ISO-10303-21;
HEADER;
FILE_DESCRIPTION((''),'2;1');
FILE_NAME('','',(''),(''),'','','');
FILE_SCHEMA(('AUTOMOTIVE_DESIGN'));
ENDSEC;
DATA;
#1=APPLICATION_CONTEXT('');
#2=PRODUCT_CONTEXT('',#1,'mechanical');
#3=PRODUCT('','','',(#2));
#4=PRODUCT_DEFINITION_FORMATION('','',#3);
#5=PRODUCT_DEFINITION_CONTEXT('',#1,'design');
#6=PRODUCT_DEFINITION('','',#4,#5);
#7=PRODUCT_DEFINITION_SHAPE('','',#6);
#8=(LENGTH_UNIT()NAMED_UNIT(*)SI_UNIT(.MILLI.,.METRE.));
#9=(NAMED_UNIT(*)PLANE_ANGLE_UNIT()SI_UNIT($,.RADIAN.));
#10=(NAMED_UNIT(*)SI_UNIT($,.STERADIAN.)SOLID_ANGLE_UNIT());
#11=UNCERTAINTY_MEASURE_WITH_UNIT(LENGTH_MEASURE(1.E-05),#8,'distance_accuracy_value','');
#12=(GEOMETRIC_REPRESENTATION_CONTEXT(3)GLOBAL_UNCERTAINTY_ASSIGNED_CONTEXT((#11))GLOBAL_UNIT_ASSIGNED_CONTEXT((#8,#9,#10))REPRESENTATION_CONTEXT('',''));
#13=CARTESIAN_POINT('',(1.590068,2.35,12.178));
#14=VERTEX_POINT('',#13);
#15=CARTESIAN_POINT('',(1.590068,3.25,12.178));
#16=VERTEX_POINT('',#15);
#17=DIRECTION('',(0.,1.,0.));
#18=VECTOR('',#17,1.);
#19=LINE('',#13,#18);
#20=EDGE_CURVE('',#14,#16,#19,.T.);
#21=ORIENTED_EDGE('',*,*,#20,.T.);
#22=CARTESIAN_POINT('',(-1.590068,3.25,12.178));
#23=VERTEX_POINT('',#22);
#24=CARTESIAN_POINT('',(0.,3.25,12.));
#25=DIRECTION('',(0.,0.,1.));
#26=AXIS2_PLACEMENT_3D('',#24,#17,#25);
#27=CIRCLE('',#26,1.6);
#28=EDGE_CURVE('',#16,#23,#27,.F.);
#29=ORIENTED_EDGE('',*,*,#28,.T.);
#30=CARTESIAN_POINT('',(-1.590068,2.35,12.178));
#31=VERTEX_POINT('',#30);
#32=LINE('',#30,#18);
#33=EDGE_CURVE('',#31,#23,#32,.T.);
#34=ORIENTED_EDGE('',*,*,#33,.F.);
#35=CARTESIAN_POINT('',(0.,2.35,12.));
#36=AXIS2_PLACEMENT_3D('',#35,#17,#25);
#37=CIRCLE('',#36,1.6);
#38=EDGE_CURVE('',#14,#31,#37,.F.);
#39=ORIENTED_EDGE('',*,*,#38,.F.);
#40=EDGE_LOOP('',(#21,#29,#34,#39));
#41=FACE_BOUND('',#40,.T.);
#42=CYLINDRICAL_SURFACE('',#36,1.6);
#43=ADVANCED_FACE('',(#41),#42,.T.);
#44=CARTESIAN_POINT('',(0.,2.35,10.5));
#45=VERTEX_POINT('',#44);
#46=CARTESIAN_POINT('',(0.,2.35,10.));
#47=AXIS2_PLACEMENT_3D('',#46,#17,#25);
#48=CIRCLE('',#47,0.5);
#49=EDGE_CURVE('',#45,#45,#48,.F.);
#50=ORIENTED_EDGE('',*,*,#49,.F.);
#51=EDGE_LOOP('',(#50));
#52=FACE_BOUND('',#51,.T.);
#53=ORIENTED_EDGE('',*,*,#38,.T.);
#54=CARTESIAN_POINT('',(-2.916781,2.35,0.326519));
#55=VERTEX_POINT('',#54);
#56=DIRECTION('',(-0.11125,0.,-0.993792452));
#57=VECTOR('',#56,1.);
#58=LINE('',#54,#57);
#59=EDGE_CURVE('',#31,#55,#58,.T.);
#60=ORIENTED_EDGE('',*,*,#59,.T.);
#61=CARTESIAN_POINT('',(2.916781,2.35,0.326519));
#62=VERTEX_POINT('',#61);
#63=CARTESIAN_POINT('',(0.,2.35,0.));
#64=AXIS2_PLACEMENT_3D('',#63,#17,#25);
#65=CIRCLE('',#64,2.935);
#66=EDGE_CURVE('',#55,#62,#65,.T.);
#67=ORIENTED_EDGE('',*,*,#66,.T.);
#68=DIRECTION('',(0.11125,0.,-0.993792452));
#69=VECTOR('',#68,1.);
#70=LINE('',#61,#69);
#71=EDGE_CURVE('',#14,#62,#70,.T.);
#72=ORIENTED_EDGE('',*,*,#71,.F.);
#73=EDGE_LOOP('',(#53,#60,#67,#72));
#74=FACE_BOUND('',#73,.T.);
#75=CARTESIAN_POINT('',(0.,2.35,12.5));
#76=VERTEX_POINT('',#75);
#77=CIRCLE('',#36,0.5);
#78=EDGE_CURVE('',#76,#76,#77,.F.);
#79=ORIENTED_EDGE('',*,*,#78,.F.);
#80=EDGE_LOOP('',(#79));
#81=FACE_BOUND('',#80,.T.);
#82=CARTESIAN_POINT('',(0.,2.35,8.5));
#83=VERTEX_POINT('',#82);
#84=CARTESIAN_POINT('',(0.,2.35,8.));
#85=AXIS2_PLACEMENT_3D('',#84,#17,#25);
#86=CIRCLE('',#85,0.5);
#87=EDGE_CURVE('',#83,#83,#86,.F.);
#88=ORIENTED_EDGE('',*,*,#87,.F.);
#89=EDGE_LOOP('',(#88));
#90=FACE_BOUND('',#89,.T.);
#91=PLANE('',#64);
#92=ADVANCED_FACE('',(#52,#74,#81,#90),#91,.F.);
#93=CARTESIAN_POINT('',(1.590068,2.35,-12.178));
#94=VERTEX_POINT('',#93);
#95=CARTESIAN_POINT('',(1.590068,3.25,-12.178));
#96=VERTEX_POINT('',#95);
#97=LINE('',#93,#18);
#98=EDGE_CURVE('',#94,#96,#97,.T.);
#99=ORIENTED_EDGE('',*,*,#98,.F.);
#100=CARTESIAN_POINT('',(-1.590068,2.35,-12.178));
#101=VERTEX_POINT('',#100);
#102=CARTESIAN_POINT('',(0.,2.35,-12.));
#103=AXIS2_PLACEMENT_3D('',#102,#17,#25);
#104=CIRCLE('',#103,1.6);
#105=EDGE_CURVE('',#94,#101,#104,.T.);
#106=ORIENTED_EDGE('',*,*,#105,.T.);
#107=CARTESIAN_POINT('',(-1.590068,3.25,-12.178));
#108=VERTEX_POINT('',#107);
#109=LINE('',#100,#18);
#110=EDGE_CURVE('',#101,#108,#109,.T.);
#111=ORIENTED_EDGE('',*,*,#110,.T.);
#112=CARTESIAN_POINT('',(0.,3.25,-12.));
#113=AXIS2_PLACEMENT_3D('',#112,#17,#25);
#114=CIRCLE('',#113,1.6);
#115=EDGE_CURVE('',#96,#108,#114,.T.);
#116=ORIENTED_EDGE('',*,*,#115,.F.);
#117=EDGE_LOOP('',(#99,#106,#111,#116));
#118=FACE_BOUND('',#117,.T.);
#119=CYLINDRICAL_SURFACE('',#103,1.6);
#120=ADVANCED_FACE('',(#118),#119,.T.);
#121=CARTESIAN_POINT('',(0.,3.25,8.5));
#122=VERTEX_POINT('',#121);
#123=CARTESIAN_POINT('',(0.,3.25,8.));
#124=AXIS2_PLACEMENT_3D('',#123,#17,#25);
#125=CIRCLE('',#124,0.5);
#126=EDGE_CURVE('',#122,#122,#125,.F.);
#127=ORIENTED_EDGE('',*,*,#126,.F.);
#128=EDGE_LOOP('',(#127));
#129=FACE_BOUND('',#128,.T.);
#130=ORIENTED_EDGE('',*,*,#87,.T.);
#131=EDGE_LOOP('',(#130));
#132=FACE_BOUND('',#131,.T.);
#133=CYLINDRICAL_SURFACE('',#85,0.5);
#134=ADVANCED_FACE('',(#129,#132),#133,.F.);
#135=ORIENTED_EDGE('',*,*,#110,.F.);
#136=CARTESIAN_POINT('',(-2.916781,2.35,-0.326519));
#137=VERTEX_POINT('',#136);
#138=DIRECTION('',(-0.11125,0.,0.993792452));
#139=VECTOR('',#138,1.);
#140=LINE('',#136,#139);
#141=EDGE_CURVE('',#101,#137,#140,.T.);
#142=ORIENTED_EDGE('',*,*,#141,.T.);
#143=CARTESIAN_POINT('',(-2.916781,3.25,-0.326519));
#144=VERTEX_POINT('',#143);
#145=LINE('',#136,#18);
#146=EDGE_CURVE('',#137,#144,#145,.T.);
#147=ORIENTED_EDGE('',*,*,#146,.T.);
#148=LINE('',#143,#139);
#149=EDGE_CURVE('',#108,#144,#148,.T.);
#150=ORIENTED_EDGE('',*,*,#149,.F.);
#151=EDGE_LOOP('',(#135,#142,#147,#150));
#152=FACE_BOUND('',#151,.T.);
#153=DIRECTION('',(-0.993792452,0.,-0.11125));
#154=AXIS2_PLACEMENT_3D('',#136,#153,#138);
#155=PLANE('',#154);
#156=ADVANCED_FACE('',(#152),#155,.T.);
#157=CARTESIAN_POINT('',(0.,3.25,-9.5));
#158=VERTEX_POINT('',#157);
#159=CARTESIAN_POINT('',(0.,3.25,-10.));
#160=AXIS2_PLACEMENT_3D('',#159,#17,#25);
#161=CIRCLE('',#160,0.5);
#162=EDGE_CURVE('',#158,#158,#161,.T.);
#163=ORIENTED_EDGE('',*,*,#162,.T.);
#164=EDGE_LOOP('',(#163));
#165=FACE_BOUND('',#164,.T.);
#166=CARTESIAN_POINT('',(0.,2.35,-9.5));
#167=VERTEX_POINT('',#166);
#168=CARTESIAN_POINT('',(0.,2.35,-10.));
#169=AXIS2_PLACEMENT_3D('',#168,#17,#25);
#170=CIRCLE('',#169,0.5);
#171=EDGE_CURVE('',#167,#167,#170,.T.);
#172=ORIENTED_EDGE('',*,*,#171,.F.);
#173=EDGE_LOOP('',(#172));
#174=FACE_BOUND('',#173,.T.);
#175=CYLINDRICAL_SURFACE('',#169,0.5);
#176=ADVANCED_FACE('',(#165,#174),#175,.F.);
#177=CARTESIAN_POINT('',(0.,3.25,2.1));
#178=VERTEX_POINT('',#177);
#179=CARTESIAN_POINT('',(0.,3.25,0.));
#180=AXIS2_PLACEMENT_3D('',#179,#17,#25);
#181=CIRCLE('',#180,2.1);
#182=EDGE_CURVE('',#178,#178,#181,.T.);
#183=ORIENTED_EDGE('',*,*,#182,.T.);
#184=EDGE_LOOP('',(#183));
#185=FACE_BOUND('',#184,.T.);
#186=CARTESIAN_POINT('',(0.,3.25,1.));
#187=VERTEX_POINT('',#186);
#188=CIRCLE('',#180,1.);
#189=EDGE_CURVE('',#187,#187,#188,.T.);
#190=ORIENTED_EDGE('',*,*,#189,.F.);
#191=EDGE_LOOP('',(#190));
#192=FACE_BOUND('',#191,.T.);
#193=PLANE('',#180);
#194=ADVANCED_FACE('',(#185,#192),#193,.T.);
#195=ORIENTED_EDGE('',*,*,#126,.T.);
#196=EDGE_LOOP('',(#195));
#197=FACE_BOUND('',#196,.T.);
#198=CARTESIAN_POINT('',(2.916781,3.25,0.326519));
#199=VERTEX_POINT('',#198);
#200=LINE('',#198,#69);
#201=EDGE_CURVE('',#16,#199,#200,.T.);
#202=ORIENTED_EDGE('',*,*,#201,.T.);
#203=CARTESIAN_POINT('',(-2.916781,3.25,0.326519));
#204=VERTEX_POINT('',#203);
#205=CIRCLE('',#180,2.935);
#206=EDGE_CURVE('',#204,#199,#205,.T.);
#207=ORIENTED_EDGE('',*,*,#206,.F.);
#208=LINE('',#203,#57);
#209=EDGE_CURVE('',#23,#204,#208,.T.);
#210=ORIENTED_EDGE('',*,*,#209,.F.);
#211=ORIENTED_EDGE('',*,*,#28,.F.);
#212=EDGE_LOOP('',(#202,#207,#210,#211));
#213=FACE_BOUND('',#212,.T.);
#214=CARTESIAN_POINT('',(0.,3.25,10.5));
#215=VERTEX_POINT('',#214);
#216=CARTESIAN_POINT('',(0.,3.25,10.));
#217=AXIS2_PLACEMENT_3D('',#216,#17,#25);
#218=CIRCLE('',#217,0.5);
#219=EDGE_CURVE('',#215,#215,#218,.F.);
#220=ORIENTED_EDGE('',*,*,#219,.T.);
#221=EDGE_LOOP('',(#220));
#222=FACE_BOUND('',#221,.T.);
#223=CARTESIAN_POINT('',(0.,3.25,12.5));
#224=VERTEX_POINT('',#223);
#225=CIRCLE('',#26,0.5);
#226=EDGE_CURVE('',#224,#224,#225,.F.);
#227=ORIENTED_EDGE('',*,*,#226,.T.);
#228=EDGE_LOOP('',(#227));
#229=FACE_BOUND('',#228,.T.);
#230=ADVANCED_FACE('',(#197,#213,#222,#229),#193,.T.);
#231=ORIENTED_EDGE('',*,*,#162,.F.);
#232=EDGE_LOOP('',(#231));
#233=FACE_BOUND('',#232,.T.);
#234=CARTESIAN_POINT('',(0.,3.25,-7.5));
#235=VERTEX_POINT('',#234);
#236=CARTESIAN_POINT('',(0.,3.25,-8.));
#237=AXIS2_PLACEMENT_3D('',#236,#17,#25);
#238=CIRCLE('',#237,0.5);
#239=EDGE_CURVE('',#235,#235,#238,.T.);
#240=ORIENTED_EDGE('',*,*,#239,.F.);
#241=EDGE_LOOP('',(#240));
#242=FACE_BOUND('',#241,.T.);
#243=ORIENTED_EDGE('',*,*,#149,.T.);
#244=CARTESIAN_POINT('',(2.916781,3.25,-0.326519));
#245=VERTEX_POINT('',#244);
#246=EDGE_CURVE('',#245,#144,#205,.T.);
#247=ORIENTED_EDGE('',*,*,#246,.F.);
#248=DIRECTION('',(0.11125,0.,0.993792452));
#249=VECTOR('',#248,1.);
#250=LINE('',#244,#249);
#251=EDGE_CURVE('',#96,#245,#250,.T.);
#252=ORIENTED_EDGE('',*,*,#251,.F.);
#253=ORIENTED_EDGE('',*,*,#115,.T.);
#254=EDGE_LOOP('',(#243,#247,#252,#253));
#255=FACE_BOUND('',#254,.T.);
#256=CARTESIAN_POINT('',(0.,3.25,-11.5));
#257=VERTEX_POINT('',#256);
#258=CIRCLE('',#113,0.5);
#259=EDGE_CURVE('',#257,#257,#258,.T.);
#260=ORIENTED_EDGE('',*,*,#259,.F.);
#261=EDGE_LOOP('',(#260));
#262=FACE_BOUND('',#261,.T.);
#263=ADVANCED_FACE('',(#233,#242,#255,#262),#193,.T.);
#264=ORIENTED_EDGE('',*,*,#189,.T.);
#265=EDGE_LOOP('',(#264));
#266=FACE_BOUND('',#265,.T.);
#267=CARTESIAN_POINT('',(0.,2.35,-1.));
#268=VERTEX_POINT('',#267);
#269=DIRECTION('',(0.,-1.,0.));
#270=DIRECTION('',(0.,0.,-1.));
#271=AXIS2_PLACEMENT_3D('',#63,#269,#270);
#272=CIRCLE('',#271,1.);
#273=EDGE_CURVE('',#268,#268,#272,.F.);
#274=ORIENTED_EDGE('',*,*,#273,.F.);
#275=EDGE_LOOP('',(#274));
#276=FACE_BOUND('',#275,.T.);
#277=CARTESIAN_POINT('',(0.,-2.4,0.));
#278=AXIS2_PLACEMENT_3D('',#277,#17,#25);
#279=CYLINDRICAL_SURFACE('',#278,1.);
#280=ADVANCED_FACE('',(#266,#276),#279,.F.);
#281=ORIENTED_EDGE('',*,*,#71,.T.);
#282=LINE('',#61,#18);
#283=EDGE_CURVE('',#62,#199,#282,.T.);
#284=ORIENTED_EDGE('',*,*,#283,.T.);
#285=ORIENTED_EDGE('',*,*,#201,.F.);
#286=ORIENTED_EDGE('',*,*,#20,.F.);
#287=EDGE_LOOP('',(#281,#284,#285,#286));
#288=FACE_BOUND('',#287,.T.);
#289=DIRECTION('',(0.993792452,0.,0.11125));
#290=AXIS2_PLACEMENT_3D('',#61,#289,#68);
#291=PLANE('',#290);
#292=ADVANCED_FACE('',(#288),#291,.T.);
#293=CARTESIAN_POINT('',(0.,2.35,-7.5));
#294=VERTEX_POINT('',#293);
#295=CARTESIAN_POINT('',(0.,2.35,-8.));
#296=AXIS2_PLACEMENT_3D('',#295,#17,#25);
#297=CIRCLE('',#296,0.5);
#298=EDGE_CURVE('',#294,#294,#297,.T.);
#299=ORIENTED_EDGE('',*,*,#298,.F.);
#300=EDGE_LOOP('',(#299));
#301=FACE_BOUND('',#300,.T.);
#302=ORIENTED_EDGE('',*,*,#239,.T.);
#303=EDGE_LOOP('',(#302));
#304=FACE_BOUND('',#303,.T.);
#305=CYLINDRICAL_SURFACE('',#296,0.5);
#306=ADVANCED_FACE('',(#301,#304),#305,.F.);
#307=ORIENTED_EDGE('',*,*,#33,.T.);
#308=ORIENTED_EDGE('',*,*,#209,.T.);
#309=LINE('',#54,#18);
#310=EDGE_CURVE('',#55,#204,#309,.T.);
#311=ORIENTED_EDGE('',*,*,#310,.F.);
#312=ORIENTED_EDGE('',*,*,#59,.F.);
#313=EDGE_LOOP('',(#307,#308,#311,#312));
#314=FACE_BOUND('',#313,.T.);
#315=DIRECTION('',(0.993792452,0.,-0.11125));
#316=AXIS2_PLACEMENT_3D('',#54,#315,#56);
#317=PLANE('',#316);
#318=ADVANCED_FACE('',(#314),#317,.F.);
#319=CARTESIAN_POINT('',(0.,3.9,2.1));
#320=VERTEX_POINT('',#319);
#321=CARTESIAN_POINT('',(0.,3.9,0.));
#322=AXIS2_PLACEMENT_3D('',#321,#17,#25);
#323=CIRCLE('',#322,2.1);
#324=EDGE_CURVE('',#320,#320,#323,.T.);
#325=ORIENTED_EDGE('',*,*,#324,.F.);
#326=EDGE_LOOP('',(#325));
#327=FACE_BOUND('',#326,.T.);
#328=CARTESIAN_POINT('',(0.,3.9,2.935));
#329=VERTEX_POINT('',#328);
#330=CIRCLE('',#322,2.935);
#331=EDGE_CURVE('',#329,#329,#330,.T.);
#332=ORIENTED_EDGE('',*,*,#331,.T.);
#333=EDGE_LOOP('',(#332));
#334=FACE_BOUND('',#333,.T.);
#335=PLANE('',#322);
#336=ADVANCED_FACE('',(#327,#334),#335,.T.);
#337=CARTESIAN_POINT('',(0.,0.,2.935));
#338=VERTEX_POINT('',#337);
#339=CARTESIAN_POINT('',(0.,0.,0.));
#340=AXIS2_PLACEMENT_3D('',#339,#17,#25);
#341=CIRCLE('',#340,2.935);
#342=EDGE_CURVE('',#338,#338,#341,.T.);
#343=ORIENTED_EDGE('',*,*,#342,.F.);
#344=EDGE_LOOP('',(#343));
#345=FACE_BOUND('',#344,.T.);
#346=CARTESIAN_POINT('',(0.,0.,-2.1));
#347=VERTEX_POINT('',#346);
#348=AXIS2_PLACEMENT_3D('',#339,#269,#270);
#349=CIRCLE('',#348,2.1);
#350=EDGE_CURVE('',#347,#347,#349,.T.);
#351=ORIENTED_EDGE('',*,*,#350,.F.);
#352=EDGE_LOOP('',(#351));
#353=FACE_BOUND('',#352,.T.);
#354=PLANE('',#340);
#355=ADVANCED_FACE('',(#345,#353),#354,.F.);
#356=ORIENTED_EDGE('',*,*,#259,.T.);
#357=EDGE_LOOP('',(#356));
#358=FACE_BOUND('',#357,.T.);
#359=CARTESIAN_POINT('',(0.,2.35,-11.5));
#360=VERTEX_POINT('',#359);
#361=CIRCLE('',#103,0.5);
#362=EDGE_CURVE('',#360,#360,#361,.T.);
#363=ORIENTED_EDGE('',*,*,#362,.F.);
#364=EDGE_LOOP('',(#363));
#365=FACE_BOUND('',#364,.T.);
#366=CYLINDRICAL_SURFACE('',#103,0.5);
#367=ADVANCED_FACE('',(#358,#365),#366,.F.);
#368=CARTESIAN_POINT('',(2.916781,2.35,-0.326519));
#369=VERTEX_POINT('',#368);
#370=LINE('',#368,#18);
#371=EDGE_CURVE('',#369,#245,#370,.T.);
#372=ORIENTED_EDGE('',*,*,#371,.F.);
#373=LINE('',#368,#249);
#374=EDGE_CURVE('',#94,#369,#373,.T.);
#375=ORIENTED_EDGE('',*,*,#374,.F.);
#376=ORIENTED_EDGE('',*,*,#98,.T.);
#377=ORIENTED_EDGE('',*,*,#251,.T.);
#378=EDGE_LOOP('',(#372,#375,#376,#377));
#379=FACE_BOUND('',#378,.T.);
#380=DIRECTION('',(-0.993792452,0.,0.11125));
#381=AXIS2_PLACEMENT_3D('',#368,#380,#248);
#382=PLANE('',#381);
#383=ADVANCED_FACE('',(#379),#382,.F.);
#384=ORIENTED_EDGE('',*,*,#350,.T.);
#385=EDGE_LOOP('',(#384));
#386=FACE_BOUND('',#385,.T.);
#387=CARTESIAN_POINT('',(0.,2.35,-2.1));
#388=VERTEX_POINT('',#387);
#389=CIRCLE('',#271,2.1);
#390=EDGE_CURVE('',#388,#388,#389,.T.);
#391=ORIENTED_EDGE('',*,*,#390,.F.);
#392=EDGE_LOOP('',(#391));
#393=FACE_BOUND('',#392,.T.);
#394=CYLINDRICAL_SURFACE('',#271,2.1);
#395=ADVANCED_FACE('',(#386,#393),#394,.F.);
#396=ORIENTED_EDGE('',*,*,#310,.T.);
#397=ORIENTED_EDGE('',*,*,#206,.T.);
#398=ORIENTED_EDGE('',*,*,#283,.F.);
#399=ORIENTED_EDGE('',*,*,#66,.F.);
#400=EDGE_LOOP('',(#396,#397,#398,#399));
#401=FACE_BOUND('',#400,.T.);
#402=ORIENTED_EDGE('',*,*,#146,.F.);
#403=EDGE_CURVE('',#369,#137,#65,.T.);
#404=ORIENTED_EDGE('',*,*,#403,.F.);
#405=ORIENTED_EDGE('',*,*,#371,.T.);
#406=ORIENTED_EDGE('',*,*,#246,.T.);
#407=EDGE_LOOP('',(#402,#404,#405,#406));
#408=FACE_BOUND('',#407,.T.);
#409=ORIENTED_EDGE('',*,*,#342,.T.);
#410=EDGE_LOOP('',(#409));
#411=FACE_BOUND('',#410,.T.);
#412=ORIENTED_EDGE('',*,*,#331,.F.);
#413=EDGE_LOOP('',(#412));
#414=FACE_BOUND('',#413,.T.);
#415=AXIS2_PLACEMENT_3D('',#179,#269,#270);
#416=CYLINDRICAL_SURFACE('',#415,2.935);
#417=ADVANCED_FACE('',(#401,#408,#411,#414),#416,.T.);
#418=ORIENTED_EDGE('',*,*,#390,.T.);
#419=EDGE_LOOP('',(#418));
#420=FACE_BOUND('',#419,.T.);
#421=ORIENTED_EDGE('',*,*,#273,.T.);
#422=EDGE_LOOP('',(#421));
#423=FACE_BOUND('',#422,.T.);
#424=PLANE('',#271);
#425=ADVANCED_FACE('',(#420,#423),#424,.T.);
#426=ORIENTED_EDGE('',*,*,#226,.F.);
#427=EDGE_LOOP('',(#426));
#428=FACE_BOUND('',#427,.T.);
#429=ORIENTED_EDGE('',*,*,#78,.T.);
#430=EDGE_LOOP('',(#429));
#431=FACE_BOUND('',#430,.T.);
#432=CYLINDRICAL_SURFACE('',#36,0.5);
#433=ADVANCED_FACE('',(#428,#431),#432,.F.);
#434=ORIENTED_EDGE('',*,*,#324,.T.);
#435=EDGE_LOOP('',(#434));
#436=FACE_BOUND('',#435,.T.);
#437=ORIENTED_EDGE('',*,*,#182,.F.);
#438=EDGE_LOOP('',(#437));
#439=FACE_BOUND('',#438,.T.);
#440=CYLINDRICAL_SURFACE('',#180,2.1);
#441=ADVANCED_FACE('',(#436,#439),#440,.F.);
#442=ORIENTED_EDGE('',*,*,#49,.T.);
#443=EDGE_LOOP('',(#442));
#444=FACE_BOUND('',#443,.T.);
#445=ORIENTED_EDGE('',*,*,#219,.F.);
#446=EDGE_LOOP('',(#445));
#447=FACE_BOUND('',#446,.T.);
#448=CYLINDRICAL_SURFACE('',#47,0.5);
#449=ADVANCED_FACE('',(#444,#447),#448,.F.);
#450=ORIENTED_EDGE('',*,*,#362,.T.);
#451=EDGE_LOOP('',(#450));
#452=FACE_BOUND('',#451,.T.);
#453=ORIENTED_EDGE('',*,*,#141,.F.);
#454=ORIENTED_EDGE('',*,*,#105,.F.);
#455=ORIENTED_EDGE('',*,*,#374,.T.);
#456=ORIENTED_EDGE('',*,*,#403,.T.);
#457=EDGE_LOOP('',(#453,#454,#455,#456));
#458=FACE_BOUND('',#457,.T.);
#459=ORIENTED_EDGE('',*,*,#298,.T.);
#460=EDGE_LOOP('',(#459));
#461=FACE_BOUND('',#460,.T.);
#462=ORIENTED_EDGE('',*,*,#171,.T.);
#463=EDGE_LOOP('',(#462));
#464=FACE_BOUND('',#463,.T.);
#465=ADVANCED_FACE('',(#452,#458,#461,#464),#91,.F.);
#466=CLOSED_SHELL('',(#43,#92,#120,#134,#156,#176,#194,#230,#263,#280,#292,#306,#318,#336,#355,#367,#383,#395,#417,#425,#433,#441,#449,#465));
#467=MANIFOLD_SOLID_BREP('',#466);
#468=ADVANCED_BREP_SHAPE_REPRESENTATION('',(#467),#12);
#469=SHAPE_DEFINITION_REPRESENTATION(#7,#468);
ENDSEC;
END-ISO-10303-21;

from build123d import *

# Parameters (mm, degrees)
SKETCH1_R           = 2.935
BOSS_EXTRUDE2_DEPTH = 3.25
SKETCH2_R           = 0.5
BOSS_EXTRUDE3_DEPTH = 0.9
SKETCH3_R           = 2.935
BOSS_EXTRUDE4_DEPTH = 0.65
SKETCH4_R           = 2.1
CUT_EXTRUDE1_DEPTH  = 0.65
SKETCH5_R           = 1
CUT_EXTRUDE2_DEPTH  = 5.65
SKETCH6_R           = 2.1
CUT_EXTRUDE3_DEPTH  = 2.35


with BuildPart() as part:
    # Sketch1 → Boss-Extrude2 (new body)
    with BuildSketch(Plane(origin=(0, 0, 0), x_dir=(1, 0, 0), z_dir=(0, 1, 0))):
        Circle(SKETCH1_R)
    extrude(amount=BOSS_EXTRUDE2_DEPTH)

    # Sketch2 → Boss-Extrude3 (add)
    with BuildSketch(Plane(origin=(0, 3.25, 0), x_dir=(1, 0, 0), z_dir=(0, 1, 0))):
        with BuildLine():
            ThreePointArc((-2.916780846, 0.32651875), (-1.956513796, 2.18775656), (0, 2.935))
            ThreePointArc((0, 2.935), (1.956513796, 2.18775656), (2.916780846, 0.32651875))
            Line((2.916780846, 0.32651875), (1.590067923, 12.178))
            ThreePointArc((1.590067923, 12.178), (0, 13.6), (-1.590067923, 12.178))
            Line((-1.590067923, 12.178), (-2.916780846, 0.32651875))
        make_face()
        with BuildLine():
            ThreePointArc((0, 8.5), (0.5, 8), (0, 7.5))
            ThreePointArc((0, 7.5), (-0.5, 8), (0, 8.5))
        make_face(mode=Mode.SUBTRACT)
        with Locations((0, 10)):
            Circle(SKETCH2_R, mode=Mode.SUBTRACT)
        with Locations((0, 12)):
            Circle(SKETCH2_R, mode=Mode.SUBTRACT)
        with BuildLine():
            Line((1.590067923, -12.178), (2.916780846, -0.32651875))
            ThreePointArc((2.916780846, -0.32651875), (0, -2.935), (-2.916780846, -0.32651875))
            Line((-2.916780846, -0.32651875), (-1.590067923, -12.178))
            ThreePointArc((-1.590067923, -12.178), (0, -13.6), (1.590067923, -12.178))
        make_face()
        with Locations((0, -12)):
            Circle(SKETCH2_R, mode=Mode.SUBTRACT)
        with Locations((0, -10)):
            Circle(SKETCH2_R, mode=Mode.SUBTRACT)
        with Locations((0, -8)):
            Circle(SKETCH2_R, mode=Mode.SUBTRACT)
    extrude(amount=-BOSS_EXTRUDE3_DEPTH)

    # Sketch3 → Boss-Extrude4 (add)
    with BuildSketch(Plane(origin=(0, 3.25, 0), x_dir=(1, 0, 0), z_dir=(0, 1, 0))):
        Circle(SKETCH3_R)
    extrude(amount=BOSS_EXTRUDE4_DEPTH)

    # Sketch4 → Cut-Extrude1 (cut)
    with BuildSketch(Plane(origin=(0, 3.9, 0), x_dir=(1, 0, 0), z_dir=(0, 1, 0))):
        Circle(SKETCH4_R)
    extrude(amount=-CUT_EXTRUDE1_DEPTH, mode=Mode.SUBTRACT)

    # Sketch5 → Cut-Extrude2 (cut)
    with BuildSketch(Plane(origin=(0, 3.25, 0), x_dir=(1, 0, 0), z_dir=(0, 1, 0))):
        Circle(SKETCH5_R)
    extrude(amount=-CUT_EXTRUDE2_DEPTH, mode=Mode.SUBTRACT)

    # Sketch6 → Cut-Extrude3 (cut)
    with BuildSketch(Plane.XZ):
        Circle(SKETCH6_R)
    extrude(amount=-CUT_EXTRUDE3_DEPTH, mode=Mode.SUBTRACT)


solid = part.part
